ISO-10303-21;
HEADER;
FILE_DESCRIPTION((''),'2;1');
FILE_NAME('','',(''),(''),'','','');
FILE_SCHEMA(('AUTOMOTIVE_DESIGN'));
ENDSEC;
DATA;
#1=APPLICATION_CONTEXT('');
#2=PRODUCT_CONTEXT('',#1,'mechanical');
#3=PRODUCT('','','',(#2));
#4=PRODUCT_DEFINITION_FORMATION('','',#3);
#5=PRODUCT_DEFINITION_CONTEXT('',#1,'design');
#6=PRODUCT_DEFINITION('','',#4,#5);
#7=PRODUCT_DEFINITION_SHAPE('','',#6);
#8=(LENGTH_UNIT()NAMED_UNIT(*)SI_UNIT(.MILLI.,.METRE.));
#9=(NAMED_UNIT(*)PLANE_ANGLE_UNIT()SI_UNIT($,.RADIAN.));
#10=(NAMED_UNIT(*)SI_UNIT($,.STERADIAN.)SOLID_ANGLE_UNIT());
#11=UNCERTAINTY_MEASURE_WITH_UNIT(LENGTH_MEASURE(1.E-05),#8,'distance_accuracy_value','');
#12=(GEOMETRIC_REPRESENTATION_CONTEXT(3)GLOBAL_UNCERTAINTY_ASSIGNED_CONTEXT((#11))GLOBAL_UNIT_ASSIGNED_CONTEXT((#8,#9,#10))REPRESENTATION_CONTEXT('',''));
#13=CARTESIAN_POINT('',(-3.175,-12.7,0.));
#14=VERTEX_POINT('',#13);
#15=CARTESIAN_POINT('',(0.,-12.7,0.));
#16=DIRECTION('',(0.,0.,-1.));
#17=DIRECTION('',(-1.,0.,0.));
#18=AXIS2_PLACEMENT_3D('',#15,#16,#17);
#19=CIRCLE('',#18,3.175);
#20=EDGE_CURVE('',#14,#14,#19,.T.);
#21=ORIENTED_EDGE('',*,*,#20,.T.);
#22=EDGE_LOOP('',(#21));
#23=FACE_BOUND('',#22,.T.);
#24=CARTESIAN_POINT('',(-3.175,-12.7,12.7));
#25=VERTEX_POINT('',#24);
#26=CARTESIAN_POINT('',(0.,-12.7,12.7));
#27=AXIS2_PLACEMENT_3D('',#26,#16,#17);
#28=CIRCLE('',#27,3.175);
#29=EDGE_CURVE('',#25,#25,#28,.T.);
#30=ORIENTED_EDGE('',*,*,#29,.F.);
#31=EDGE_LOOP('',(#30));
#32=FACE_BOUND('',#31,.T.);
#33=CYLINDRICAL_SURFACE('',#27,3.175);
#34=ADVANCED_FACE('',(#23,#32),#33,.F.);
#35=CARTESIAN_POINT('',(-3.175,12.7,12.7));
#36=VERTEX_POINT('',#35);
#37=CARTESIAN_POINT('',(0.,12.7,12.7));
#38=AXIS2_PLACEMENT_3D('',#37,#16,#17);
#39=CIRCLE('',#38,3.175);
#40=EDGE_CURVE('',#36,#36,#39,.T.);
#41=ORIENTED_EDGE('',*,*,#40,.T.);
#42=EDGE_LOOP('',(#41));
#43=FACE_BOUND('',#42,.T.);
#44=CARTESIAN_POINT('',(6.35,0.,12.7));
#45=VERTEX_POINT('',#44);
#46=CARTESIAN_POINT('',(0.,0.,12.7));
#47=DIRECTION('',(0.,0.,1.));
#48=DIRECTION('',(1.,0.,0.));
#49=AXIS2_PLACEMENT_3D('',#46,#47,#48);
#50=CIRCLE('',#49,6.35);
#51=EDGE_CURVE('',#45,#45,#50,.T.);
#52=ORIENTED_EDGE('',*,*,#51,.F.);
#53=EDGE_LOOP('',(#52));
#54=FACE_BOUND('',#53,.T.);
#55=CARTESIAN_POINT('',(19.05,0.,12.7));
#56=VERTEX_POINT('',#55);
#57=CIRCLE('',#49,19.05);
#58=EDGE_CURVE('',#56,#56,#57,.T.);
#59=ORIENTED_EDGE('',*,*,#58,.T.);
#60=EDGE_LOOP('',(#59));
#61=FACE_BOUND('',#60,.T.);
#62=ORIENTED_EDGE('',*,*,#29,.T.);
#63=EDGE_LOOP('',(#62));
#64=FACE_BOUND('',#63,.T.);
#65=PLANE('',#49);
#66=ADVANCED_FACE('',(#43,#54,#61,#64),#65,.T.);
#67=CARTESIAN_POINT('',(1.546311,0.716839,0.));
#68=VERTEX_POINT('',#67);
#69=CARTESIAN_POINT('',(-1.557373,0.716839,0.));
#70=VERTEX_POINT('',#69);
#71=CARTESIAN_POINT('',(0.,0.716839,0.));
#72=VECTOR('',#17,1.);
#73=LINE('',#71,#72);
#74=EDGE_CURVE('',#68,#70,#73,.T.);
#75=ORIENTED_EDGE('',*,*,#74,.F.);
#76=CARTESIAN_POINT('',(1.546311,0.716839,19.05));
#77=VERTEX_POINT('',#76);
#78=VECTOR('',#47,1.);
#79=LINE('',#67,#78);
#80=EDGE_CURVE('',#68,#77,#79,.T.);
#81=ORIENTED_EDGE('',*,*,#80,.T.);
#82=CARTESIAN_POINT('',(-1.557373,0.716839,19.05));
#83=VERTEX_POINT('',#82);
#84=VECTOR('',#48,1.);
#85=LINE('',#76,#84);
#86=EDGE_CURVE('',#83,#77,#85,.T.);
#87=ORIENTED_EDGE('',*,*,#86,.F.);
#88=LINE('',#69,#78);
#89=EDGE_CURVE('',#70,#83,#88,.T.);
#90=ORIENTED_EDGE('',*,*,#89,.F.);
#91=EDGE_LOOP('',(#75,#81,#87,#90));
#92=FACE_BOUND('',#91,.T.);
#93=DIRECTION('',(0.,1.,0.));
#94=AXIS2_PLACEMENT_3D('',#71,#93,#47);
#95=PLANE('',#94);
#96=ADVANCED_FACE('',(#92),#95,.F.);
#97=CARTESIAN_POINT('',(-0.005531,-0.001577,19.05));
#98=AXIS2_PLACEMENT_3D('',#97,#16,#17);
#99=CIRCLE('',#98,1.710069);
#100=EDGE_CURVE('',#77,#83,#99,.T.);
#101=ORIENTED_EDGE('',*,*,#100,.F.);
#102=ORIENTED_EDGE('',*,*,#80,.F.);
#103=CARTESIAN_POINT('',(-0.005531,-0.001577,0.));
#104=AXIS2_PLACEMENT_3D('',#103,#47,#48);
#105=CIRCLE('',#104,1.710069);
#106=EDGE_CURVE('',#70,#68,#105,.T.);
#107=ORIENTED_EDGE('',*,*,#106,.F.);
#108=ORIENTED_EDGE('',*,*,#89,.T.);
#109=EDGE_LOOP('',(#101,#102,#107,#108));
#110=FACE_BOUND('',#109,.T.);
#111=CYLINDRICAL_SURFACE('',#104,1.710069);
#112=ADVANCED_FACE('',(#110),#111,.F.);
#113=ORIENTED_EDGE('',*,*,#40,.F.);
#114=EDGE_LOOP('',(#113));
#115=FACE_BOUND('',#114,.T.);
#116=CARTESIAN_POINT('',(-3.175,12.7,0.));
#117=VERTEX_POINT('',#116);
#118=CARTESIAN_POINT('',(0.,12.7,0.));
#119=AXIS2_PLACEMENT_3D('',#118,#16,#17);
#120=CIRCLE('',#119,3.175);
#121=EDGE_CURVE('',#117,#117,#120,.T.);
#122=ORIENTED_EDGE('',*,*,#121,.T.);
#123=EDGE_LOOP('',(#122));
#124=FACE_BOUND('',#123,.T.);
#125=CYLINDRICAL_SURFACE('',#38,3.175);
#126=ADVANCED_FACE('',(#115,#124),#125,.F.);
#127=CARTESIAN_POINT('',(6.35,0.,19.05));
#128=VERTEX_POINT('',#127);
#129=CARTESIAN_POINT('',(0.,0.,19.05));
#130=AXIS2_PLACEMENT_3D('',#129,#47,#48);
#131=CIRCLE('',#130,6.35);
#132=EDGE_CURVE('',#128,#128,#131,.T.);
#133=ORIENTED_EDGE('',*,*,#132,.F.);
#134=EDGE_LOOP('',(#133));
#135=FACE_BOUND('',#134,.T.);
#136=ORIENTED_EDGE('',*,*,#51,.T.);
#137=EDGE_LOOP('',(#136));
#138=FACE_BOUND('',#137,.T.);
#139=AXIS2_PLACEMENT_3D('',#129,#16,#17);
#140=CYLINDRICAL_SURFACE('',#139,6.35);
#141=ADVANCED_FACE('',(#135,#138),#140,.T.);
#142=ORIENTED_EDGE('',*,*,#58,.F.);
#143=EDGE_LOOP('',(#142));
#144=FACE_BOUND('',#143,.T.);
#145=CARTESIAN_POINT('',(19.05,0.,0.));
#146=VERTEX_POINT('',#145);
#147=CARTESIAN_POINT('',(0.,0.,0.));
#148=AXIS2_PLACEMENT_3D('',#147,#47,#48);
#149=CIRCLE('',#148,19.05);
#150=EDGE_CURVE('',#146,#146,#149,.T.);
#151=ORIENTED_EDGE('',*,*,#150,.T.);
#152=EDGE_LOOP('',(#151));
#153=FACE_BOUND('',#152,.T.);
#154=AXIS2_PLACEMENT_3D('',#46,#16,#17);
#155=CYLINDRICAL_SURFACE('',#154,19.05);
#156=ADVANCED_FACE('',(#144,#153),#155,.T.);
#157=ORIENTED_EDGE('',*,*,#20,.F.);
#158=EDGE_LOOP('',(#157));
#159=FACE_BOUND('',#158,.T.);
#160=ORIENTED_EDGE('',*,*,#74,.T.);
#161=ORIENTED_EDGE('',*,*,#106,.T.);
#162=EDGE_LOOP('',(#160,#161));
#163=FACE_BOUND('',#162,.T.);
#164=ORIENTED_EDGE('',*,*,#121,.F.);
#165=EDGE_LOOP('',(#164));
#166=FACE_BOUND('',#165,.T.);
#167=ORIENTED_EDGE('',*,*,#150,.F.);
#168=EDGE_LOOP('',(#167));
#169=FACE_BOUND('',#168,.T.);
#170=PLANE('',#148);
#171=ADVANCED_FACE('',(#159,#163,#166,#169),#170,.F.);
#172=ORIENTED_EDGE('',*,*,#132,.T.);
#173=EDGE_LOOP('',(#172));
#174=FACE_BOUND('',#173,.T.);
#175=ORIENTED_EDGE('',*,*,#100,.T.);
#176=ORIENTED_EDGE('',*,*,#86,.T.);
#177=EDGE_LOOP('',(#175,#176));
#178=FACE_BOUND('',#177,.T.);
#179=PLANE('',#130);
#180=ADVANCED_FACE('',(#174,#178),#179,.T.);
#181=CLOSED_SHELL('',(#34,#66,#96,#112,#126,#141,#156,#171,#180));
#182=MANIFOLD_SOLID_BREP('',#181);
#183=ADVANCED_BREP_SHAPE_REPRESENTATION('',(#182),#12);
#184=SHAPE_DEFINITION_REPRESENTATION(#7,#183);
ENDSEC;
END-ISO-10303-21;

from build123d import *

# Parameters (mm, degrees)
SKETCH1_R               = 19.05
BOSS_EXTRUDE1_DEPTH     = 12.7
SKETCH4_R               = 3.175
CUT_EXTRUDE2_DEPTH      = 13.7
CUT_EXTRUDE4_DEPTH      = 1
CUT_EXTRUDE4_DEPTH_BACK = 13.7
SKETCH7_R               = 6.35
BOSS_EXTRUDE2_DEPTH     = 6.35
CUT_EXTRUDE5_DEPTH      = 20.05


with BuildPart() as part:
    # Sketch1 → Boss-Extrude1 (new body)
    with BuildSketch(Plane.XY):
        Circle(SKETCH1_R)
    extrude(amount=BOSS_EXTRUDE1_DEPTH)

    # Sketch4 → Cut-Extrude2 (cut, through all)
    with BuildSketch(Plane(origin=(0, 0, 0), x_dir=(-1, 0, 0), z_dir=(0, 0, -1))):
        with Locations((0, 12.7)):
            Circle(SKETCH4_R)
        with Locations((0, -12.7)):
            Circle(SKETCH4_R)
    extrude(amount=-CUT_EXTRUDE2_DEPTH, mode=Mode.SUBTRACT)

    # Sketch6 → Cut-Extrude4 (cut, two sides)
    with BuildSketch(Plane.XY.offset(12.7)) as cut_extrude4_sk:
        with BuildLine():
            Line((1.546311471, 0.716838774), (0, 0.716838774))
            Line((0, 0.716838774), (-1.557372698, 0.716838774))
            ThreePointArc((-1.557372698, 0.716838774), (-0.005530614, -1.711645493), (1.546311471, 0.716838774))
        make_face()
    extrude(amount=CUT_EXTRUDE4_DEPTH, mode=Mode.SUBTRACT)
    extrude(cut_extrude4_sk.sketch, amount=-CUT_EXTRUDE4_DEPTH_BACK, mode=Mode.SUBTRACT)

    # Sketch7 → Boss-Extrude2 (add)
    with BuildSketch(Plane.XY.offset(12.7)):
        Circle(SKETCH7_R)
    extrude(amount=BOSS_EXTRUDE2_DEPTH)

    # Sketch8 → Cut-Extrude5 (cut, through all)
    with BuildSketch(Plane(origin=(0, 0, 0), x_dir=(-1, 0, 0), z_dir=(0, 0, -1))):
        with BuildLine():
            Line((-1.546311471, 0.716838774), (1.557372698, 0.716838774))
            ThreePointArc((1.557372698, 0.716838774), (0.005530614, -1.711645493), (-1.546311471, 0.716838774))
        make_face()
    extrude(amount=-CUT_EXTRUDE5_DEPTH, mode=Mode.SUBTRACT)


solid = part.part
